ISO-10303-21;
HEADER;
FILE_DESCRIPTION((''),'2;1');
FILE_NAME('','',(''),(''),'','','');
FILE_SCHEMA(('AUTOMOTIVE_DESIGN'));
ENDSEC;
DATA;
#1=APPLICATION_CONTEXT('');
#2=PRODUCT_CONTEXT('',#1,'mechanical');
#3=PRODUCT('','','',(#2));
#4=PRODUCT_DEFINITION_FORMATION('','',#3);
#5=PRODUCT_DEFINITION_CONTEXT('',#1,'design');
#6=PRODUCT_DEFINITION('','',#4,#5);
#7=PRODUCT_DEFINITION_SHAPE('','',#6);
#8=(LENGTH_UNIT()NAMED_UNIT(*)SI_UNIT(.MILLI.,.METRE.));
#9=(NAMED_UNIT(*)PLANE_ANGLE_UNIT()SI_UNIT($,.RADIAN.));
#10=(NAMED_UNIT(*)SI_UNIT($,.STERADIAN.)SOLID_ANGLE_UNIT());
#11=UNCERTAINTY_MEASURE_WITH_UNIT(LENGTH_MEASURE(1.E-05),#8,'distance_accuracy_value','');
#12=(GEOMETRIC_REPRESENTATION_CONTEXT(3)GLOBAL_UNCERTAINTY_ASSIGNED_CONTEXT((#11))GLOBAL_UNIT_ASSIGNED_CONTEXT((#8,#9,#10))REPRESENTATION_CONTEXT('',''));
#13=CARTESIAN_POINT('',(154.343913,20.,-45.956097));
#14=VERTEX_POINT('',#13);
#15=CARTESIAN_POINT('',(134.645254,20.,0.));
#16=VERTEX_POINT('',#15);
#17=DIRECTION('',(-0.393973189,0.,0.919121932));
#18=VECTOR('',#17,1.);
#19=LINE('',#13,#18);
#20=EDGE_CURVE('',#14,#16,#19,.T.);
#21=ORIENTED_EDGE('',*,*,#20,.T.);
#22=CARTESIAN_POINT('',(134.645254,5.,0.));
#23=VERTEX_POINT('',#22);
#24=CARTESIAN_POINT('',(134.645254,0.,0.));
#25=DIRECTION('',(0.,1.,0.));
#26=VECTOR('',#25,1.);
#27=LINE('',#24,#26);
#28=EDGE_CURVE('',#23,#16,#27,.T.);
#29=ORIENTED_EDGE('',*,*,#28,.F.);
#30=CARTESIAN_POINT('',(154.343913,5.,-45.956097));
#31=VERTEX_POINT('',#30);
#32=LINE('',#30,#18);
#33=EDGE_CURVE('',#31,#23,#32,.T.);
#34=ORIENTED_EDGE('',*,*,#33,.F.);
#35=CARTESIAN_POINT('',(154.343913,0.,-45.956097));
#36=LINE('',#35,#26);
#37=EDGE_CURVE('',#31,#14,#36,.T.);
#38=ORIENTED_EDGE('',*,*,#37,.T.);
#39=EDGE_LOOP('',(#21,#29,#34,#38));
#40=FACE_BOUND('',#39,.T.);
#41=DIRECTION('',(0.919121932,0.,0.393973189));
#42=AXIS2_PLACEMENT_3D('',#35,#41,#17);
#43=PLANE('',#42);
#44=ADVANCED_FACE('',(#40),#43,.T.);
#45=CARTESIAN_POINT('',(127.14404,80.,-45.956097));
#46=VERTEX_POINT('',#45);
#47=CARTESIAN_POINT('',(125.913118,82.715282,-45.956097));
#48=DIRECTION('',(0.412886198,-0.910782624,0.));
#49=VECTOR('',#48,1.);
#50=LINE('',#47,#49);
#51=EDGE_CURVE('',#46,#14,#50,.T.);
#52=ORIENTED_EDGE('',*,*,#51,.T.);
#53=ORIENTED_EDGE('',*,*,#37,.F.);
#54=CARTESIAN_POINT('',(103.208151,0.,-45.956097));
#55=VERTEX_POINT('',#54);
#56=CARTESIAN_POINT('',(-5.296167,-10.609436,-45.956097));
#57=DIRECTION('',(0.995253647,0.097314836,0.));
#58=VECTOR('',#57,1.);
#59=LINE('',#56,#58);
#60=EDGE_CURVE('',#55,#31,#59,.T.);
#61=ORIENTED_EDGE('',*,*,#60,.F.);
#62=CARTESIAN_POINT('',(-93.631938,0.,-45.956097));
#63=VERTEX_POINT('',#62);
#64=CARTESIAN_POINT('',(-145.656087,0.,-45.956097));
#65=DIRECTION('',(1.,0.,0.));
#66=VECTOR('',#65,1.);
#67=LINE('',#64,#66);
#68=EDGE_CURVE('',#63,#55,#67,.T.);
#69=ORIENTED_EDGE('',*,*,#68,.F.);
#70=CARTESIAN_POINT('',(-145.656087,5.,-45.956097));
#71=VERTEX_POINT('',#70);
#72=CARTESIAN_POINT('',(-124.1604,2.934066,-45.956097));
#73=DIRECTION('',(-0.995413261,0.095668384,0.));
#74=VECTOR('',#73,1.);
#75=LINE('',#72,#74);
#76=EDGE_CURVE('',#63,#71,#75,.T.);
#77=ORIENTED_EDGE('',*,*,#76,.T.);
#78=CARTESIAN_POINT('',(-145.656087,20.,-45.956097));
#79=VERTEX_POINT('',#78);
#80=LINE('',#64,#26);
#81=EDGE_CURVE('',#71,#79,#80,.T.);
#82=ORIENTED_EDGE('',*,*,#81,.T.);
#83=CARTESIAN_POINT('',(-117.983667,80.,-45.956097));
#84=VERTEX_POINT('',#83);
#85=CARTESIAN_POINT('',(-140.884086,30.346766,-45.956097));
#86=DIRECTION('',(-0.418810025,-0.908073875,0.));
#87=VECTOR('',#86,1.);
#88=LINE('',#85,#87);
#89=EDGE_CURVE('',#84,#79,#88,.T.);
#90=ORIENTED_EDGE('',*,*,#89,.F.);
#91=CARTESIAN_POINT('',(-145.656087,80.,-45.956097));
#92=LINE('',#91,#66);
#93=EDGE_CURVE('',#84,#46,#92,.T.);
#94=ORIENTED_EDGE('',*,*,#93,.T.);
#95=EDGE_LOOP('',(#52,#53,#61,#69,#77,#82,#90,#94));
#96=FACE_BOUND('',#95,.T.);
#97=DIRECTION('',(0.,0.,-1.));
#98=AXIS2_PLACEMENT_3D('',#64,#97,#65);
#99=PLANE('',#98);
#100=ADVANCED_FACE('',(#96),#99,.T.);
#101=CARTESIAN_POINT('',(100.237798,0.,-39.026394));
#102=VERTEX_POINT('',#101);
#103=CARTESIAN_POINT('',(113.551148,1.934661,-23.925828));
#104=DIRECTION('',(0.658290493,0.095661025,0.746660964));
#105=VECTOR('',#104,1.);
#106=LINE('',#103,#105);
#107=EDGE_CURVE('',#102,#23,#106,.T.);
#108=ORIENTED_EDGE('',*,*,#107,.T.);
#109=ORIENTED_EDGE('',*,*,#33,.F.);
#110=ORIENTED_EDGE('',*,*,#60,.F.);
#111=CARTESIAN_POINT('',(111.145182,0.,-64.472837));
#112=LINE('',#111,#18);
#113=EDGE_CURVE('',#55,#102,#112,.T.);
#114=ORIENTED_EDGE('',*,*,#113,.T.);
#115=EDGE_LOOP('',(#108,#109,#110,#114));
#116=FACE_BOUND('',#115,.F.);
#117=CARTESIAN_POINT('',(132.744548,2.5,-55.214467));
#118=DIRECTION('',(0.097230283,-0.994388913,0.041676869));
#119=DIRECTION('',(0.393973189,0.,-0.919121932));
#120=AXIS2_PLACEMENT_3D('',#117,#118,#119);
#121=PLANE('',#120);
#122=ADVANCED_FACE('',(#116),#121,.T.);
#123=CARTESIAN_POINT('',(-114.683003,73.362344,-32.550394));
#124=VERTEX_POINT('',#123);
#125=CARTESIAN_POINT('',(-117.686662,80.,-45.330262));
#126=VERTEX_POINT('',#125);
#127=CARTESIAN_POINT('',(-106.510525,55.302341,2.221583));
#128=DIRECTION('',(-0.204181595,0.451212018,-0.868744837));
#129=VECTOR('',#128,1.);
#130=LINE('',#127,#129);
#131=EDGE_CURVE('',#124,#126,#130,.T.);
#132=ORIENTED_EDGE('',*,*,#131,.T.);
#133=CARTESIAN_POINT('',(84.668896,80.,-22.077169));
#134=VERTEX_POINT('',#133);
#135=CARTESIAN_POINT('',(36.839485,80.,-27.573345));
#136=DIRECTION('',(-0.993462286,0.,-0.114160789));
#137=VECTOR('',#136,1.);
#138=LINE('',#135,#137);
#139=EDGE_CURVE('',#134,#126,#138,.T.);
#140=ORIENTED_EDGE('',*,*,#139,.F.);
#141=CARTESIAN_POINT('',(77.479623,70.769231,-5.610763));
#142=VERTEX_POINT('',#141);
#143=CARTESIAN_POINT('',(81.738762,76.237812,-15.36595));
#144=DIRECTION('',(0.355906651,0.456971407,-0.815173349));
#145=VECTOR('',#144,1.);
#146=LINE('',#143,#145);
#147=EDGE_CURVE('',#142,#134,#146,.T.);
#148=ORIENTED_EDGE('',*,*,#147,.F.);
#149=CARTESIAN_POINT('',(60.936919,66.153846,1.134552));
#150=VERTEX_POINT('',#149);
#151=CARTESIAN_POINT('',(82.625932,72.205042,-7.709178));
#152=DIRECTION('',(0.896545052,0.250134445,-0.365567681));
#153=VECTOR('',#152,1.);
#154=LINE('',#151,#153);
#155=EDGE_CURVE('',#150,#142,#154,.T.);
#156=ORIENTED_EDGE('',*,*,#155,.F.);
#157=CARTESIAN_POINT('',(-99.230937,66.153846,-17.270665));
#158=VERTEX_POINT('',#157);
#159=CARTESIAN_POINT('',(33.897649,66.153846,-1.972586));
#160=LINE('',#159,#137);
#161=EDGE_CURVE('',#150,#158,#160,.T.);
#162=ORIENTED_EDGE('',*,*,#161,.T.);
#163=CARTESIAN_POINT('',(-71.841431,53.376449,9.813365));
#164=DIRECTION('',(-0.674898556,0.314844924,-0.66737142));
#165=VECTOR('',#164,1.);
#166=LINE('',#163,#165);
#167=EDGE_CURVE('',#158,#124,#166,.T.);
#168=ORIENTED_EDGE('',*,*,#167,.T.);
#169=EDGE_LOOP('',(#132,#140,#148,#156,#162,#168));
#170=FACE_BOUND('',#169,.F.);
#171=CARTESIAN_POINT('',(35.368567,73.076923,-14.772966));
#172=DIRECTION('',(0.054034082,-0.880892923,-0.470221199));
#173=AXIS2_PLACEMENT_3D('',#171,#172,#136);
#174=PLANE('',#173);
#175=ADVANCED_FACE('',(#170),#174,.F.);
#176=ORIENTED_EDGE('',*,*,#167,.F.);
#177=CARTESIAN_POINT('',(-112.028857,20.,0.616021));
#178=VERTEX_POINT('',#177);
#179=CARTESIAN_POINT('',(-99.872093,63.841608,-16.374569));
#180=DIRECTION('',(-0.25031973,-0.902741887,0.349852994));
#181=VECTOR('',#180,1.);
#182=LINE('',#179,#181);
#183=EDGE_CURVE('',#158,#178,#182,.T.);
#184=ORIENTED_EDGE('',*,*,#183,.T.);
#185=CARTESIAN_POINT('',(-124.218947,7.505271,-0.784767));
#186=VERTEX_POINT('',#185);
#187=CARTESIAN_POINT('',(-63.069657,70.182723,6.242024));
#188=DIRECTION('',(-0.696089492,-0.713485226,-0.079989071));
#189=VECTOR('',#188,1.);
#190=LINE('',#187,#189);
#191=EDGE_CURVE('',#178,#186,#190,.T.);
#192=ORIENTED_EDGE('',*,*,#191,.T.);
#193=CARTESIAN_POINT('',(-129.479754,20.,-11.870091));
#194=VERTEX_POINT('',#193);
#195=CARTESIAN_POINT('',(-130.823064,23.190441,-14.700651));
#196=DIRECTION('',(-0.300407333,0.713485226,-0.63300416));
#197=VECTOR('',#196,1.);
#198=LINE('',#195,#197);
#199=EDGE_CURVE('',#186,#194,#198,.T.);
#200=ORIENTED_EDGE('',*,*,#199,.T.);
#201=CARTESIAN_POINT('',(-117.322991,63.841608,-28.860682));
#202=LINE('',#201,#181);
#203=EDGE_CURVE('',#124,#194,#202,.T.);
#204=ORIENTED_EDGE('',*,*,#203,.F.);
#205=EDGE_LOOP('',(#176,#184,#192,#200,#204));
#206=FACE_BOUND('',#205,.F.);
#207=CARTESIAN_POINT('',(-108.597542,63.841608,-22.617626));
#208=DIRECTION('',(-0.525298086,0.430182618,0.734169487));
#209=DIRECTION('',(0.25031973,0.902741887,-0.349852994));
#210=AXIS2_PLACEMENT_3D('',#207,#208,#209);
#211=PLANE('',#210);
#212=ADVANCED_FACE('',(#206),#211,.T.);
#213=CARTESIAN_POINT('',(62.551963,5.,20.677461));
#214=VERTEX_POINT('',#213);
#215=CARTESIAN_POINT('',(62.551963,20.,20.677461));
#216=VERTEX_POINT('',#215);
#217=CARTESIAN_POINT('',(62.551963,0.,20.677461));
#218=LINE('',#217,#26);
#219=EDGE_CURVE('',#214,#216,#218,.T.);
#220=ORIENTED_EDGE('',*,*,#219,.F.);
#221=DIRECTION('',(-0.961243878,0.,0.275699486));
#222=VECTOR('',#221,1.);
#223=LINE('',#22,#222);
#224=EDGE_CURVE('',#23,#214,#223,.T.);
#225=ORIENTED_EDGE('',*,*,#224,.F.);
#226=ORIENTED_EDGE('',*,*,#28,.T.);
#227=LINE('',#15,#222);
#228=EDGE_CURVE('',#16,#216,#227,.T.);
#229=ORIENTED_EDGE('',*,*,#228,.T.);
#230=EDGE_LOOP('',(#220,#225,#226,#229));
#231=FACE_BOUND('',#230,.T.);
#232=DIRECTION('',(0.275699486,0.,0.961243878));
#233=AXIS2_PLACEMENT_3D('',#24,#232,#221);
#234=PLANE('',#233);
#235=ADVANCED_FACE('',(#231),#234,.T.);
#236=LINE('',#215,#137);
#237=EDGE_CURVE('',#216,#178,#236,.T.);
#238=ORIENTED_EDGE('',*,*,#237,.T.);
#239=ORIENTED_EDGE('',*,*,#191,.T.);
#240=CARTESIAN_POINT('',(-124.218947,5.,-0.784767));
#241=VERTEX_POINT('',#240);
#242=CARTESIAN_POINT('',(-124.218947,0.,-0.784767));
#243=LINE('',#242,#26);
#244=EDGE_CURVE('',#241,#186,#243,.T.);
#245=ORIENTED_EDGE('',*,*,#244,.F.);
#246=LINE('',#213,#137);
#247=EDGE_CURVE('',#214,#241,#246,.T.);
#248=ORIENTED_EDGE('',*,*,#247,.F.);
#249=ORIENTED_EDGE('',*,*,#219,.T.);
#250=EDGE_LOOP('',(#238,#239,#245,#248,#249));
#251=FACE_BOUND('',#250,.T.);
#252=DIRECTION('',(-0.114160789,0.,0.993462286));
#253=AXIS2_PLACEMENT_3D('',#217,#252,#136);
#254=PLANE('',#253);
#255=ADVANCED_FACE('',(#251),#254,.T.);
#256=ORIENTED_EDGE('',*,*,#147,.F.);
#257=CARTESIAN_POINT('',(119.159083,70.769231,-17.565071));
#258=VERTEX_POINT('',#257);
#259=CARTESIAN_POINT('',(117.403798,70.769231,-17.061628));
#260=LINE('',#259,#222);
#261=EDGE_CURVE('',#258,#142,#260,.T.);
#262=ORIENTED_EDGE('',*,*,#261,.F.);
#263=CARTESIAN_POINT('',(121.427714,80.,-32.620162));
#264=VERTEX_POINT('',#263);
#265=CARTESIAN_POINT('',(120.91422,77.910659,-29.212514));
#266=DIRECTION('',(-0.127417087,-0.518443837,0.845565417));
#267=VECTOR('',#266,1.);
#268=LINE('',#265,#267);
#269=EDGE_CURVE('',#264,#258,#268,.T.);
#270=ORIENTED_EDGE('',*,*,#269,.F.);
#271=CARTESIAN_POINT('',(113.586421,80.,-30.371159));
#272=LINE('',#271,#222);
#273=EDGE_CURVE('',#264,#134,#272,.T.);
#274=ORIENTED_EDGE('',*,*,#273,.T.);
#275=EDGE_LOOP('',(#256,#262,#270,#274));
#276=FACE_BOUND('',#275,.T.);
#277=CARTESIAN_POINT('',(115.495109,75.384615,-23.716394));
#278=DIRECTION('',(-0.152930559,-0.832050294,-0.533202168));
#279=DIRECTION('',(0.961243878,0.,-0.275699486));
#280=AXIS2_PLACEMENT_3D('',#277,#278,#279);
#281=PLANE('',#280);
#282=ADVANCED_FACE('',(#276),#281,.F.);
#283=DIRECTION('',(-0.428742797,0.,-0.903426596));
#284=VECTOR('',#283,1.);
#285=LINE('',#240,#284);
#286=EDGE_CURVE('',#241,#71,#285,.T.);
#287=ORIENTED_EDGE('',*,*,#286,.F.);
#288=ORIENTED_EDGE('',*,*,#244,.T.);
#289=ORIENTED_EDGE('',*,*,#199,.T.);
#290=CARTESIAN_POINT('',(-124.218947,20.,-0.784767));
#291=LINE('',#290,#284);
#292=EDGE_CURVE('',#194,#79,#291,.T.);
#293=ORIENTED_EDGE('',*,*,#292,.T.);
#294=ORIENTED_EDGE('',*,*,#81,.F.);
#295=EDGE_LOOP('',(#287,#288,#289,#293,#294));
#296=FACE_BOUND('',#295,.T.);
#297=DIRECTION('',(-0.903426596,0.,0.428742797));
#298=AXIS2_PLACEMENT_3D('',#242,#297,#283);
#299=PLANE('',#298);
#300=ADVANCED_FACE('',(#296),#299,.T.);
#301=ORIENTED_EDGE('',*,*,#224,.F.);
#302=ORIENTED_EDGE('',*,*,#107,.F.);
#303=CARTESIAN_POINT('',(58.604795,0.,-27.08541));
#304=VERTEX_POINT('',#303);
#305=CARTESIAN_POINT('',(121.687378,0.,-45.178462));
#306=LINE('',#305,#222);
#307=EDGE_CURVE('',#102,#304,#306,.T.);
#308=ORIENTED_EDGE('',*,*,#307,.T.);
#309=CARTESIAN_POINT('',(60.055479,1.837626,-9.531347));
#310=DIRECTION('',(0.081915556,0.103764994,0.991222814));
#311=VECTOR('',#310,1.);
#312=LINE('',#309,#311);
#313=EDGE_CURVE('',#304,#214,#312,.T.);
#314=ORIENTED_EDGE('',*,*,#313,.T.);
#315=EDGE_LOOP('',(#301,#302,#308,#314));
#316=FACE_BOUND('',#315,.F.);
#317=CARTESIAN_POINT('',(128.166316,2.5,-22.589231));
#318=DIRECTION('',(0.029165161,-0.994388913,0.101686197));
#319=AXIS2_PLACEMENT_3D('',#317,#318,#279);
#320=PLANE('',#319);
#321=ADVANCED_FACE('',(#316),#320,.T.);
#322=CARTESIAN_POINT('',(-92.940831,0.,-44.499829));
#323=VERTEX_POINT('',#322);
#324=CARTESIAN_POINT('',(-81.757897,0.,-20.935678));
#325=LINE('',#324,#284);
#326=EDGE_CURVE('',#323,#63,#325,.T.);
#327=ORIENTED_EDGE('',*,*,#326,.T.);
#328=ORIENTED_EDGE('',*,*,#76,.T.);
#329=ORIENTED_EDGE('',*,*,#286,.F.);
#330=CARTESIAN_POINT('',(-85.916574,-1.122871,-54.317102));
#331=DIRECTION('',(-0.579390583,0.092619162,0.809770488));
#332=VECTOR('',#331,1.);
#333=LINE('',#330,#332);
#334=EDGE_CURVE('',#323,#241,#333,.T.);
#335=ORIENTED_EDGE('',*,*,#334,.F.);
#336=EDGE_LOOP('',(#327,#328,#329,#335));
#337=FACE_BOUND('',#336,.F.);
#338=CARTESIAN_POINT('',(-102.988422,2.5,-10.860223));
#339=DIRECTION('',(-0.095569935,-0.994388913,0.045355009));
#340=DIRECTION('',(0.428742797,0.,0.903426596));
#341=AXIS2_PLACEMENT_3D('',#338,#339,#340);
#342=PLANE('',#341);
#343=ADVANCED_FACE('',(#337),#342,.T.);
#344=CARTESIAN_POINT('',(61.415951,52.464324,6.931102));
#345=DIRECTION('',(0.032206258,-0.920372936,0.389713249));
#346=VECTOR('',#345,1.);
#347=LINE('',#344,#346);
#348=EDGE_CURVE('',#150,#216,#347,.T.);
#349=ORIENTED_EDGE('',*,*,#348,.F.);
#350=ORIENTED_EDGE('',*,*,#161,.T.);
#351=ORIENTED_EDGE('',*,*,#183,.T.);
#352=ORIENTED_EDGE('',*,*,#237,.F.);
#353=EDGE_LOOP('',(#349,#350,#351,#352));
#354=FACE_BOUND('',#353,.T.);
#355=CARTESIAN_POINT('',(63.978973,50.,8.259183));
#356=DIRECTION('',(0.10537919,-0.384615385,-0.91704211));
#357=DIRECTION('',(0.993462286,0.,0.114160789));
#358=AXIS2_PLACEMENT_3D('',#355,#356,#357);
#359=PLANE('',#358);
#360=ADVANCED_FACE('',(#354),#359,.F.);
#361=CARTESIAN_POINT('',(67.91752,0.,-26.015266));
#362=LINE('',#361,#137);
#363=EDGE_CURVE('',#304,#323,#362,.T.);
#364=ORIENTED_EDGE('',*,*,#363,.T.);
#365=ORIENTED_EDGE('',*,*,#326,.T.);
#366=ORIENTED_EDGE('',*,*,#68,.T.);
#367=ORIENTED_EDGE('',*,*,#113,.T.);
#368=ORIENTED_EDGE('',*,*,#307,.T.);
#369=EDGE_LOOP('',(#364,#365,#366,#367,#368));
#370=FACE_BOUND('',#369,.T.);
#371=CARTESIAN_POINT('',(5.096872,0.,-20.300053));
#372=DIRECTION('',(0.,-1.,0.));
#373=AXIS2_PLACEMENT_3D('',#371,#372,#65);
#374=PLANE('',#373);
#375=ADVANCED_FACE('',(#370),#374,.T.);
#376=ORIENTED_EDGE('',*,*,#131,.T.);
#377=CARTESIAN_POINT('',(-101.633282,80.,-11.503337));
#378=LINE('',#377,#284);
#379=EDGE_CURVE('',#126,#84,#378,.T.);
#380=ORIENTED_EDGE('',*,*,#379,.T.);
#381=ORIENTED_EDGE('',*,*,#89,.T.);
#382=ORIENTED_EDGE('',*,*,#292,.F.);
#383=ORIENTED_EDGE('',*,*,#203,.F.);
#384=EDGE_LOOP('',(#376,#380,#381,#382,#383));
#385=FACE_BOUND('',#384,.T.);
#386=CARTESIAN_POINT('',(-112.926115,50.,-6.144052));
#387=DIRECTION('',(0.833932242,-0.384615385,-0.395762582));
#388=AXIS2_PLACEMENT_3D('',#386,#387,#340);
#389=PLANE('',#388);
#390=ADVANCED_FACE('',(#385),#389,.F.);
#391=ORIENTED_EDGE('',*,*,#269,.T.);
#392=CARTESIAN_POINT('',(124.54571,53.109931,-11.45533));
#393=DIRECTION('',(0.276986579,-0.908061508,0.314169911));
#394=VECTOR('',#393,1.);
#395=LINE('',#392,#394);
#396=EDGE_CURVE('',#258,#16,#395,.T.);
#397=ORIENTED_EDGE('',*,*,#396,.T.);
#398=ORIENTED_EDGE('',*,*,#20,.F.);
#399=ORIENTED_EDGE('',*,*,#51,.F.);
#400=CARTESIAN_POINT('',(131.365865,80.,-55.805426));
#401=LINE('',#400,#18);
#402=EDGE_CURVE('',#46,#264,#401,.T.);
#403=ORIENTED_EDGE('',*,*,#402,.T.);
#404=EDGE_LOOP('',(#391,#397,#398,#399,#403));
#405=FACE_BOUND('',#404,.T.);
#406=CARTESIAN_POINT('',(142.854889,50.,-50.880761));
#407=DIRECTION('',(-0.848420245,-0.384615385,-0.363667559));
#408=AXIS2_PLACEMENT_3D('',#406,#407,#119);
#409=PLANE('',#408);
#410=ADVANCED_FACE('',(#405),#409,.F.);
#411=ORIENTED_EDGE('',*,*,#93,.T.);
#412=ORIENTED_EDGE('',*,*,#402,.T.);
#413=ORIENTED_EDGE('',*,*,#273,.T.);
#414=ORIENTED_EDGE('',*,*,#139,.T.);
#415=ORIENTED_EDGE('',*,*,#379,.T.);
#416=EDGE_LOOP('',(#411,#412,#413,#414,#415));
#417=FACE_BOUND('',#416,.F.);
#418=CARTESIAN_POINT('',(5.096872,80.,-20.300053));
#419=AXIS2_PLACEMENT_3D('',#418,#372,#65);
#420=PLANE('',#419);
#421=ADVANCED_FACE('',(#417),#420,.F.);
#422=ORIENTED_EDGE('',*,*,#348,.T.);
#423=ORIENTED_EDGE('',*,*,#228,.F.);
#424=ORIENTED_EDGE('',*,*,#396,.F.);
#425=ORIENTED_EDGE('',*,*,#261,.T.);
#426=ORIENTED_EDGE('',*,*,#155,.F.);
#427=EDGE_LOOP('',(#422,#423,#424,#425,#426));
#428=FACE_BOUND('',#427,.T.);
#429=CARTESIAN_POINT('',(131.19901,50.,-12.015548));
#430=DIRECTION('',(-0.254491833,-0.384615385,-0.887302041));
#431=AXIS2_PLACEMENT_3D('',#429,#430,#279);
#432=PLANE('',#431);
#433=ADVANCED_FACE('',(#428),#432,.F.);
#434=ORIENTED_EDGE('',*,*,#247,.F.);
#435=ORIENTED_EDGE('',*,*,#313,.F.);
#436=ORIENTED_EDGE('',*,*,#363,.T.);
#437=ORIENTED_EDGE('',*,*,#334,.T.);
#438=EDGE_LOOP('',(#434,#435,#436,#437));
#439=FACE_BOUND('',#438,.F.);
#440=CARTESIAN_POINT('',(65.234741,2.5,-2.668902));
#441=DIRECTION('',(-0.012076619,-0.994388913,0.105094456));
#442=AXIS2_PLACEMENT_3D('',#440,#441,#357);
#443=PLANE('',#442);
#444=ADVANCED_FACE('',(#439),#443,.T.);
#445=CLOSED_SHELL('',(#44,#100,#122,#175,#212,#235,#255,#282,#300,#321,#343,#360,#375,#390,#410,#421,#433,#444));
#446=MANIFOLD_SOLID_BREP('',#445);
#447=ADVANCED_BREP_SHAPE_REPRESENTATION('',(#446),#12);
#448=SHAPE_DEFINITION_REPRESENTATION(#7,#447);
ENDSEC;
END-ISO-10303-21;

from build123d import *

# Parameters (mm, degrees)
F1_DEPTH = 80
F2_SIZE2 = 60
F2_SIZE  = 25
F3_SIZE2 = 5
F3_SIZE  = 47
F4_SIZE  = 10
F5_SIZE2 = 20
F5_SIZE  = 15
F6_SIZE  = 12


with BuildPart() as f1:
    # F0 (on Front) → F1 (new body)
    with BuildSketch(Plane.XZ):
        Polygon((-124.2189471151, -0.7847668109), (-145.6560869584, -45.9560966047), (154.3439130416, -45.9560966047), (134.6452535731, 0), (62.5519627112, 20.6774614667), align=None)
    extrude(amount=-F1_DEPTH)

    # F2
    f2_edges = [f1.edges().sort_by_distance(p)[0] for p in [
        (-30.833492, 80, 9.946347),
        (98.598608, 80, 10.338731),
        (144.494583, 80, -22.978048),
        (-134.937517, 80, -23.370432),
    ]]
    f2_side = f1.faces().sort_by_distance((8.549856, 80, -18.412725))[0]
    chamfer(f2_edges, length=F2_SIZE, length2=F2_SIZE2, reference=f2_side)

    # F3
    f3_edges = [f1.edges().sort_by_distance(p)[0] for p in [
        (-30.833492, 0, 9.946347),
        (-134.937517, 0, -23.370432),
        (98.598608, 0, 10.338731),
        (144.494583, 0, -22.978048),
    ]]
    f3_side = f1.faces().sort_by_distance((8.549856, 0, -18.412725))[0]
    chamfer(f3_edges, length=F3_SIZE, length2=F3_SIZE2, reference=f3_side)

    # F4
    f4_edges = [f1.edges().sort_by_distance(p)[0] for p in [
        (88.397911, 80, -12.743521),
    ]]
    chamfer(f4_edges, length=F4_SIZE)

    # F5
    f5_edges = [f1.edges().sort_by_distance(p)[0] for p in [
        (-36.512691, 80, -15.870779),
    ]]
    f5_side = f1.faces().sort_by_distance((-28.16235, 49.160168, -1.976733))[0]
    chamfer(f5_edges, length=F5_SIZE, length2=F5_SIZE2, reference=f5_side)

    # F6
    f6_edges = [f1.edges().sort_by_distance(p)[0] for p in [
        (-117.819987, 43.076923, -9.72811),
    ]]
    chamfer(f6_edges, length=F6_SIZE)


solid = f1.part
